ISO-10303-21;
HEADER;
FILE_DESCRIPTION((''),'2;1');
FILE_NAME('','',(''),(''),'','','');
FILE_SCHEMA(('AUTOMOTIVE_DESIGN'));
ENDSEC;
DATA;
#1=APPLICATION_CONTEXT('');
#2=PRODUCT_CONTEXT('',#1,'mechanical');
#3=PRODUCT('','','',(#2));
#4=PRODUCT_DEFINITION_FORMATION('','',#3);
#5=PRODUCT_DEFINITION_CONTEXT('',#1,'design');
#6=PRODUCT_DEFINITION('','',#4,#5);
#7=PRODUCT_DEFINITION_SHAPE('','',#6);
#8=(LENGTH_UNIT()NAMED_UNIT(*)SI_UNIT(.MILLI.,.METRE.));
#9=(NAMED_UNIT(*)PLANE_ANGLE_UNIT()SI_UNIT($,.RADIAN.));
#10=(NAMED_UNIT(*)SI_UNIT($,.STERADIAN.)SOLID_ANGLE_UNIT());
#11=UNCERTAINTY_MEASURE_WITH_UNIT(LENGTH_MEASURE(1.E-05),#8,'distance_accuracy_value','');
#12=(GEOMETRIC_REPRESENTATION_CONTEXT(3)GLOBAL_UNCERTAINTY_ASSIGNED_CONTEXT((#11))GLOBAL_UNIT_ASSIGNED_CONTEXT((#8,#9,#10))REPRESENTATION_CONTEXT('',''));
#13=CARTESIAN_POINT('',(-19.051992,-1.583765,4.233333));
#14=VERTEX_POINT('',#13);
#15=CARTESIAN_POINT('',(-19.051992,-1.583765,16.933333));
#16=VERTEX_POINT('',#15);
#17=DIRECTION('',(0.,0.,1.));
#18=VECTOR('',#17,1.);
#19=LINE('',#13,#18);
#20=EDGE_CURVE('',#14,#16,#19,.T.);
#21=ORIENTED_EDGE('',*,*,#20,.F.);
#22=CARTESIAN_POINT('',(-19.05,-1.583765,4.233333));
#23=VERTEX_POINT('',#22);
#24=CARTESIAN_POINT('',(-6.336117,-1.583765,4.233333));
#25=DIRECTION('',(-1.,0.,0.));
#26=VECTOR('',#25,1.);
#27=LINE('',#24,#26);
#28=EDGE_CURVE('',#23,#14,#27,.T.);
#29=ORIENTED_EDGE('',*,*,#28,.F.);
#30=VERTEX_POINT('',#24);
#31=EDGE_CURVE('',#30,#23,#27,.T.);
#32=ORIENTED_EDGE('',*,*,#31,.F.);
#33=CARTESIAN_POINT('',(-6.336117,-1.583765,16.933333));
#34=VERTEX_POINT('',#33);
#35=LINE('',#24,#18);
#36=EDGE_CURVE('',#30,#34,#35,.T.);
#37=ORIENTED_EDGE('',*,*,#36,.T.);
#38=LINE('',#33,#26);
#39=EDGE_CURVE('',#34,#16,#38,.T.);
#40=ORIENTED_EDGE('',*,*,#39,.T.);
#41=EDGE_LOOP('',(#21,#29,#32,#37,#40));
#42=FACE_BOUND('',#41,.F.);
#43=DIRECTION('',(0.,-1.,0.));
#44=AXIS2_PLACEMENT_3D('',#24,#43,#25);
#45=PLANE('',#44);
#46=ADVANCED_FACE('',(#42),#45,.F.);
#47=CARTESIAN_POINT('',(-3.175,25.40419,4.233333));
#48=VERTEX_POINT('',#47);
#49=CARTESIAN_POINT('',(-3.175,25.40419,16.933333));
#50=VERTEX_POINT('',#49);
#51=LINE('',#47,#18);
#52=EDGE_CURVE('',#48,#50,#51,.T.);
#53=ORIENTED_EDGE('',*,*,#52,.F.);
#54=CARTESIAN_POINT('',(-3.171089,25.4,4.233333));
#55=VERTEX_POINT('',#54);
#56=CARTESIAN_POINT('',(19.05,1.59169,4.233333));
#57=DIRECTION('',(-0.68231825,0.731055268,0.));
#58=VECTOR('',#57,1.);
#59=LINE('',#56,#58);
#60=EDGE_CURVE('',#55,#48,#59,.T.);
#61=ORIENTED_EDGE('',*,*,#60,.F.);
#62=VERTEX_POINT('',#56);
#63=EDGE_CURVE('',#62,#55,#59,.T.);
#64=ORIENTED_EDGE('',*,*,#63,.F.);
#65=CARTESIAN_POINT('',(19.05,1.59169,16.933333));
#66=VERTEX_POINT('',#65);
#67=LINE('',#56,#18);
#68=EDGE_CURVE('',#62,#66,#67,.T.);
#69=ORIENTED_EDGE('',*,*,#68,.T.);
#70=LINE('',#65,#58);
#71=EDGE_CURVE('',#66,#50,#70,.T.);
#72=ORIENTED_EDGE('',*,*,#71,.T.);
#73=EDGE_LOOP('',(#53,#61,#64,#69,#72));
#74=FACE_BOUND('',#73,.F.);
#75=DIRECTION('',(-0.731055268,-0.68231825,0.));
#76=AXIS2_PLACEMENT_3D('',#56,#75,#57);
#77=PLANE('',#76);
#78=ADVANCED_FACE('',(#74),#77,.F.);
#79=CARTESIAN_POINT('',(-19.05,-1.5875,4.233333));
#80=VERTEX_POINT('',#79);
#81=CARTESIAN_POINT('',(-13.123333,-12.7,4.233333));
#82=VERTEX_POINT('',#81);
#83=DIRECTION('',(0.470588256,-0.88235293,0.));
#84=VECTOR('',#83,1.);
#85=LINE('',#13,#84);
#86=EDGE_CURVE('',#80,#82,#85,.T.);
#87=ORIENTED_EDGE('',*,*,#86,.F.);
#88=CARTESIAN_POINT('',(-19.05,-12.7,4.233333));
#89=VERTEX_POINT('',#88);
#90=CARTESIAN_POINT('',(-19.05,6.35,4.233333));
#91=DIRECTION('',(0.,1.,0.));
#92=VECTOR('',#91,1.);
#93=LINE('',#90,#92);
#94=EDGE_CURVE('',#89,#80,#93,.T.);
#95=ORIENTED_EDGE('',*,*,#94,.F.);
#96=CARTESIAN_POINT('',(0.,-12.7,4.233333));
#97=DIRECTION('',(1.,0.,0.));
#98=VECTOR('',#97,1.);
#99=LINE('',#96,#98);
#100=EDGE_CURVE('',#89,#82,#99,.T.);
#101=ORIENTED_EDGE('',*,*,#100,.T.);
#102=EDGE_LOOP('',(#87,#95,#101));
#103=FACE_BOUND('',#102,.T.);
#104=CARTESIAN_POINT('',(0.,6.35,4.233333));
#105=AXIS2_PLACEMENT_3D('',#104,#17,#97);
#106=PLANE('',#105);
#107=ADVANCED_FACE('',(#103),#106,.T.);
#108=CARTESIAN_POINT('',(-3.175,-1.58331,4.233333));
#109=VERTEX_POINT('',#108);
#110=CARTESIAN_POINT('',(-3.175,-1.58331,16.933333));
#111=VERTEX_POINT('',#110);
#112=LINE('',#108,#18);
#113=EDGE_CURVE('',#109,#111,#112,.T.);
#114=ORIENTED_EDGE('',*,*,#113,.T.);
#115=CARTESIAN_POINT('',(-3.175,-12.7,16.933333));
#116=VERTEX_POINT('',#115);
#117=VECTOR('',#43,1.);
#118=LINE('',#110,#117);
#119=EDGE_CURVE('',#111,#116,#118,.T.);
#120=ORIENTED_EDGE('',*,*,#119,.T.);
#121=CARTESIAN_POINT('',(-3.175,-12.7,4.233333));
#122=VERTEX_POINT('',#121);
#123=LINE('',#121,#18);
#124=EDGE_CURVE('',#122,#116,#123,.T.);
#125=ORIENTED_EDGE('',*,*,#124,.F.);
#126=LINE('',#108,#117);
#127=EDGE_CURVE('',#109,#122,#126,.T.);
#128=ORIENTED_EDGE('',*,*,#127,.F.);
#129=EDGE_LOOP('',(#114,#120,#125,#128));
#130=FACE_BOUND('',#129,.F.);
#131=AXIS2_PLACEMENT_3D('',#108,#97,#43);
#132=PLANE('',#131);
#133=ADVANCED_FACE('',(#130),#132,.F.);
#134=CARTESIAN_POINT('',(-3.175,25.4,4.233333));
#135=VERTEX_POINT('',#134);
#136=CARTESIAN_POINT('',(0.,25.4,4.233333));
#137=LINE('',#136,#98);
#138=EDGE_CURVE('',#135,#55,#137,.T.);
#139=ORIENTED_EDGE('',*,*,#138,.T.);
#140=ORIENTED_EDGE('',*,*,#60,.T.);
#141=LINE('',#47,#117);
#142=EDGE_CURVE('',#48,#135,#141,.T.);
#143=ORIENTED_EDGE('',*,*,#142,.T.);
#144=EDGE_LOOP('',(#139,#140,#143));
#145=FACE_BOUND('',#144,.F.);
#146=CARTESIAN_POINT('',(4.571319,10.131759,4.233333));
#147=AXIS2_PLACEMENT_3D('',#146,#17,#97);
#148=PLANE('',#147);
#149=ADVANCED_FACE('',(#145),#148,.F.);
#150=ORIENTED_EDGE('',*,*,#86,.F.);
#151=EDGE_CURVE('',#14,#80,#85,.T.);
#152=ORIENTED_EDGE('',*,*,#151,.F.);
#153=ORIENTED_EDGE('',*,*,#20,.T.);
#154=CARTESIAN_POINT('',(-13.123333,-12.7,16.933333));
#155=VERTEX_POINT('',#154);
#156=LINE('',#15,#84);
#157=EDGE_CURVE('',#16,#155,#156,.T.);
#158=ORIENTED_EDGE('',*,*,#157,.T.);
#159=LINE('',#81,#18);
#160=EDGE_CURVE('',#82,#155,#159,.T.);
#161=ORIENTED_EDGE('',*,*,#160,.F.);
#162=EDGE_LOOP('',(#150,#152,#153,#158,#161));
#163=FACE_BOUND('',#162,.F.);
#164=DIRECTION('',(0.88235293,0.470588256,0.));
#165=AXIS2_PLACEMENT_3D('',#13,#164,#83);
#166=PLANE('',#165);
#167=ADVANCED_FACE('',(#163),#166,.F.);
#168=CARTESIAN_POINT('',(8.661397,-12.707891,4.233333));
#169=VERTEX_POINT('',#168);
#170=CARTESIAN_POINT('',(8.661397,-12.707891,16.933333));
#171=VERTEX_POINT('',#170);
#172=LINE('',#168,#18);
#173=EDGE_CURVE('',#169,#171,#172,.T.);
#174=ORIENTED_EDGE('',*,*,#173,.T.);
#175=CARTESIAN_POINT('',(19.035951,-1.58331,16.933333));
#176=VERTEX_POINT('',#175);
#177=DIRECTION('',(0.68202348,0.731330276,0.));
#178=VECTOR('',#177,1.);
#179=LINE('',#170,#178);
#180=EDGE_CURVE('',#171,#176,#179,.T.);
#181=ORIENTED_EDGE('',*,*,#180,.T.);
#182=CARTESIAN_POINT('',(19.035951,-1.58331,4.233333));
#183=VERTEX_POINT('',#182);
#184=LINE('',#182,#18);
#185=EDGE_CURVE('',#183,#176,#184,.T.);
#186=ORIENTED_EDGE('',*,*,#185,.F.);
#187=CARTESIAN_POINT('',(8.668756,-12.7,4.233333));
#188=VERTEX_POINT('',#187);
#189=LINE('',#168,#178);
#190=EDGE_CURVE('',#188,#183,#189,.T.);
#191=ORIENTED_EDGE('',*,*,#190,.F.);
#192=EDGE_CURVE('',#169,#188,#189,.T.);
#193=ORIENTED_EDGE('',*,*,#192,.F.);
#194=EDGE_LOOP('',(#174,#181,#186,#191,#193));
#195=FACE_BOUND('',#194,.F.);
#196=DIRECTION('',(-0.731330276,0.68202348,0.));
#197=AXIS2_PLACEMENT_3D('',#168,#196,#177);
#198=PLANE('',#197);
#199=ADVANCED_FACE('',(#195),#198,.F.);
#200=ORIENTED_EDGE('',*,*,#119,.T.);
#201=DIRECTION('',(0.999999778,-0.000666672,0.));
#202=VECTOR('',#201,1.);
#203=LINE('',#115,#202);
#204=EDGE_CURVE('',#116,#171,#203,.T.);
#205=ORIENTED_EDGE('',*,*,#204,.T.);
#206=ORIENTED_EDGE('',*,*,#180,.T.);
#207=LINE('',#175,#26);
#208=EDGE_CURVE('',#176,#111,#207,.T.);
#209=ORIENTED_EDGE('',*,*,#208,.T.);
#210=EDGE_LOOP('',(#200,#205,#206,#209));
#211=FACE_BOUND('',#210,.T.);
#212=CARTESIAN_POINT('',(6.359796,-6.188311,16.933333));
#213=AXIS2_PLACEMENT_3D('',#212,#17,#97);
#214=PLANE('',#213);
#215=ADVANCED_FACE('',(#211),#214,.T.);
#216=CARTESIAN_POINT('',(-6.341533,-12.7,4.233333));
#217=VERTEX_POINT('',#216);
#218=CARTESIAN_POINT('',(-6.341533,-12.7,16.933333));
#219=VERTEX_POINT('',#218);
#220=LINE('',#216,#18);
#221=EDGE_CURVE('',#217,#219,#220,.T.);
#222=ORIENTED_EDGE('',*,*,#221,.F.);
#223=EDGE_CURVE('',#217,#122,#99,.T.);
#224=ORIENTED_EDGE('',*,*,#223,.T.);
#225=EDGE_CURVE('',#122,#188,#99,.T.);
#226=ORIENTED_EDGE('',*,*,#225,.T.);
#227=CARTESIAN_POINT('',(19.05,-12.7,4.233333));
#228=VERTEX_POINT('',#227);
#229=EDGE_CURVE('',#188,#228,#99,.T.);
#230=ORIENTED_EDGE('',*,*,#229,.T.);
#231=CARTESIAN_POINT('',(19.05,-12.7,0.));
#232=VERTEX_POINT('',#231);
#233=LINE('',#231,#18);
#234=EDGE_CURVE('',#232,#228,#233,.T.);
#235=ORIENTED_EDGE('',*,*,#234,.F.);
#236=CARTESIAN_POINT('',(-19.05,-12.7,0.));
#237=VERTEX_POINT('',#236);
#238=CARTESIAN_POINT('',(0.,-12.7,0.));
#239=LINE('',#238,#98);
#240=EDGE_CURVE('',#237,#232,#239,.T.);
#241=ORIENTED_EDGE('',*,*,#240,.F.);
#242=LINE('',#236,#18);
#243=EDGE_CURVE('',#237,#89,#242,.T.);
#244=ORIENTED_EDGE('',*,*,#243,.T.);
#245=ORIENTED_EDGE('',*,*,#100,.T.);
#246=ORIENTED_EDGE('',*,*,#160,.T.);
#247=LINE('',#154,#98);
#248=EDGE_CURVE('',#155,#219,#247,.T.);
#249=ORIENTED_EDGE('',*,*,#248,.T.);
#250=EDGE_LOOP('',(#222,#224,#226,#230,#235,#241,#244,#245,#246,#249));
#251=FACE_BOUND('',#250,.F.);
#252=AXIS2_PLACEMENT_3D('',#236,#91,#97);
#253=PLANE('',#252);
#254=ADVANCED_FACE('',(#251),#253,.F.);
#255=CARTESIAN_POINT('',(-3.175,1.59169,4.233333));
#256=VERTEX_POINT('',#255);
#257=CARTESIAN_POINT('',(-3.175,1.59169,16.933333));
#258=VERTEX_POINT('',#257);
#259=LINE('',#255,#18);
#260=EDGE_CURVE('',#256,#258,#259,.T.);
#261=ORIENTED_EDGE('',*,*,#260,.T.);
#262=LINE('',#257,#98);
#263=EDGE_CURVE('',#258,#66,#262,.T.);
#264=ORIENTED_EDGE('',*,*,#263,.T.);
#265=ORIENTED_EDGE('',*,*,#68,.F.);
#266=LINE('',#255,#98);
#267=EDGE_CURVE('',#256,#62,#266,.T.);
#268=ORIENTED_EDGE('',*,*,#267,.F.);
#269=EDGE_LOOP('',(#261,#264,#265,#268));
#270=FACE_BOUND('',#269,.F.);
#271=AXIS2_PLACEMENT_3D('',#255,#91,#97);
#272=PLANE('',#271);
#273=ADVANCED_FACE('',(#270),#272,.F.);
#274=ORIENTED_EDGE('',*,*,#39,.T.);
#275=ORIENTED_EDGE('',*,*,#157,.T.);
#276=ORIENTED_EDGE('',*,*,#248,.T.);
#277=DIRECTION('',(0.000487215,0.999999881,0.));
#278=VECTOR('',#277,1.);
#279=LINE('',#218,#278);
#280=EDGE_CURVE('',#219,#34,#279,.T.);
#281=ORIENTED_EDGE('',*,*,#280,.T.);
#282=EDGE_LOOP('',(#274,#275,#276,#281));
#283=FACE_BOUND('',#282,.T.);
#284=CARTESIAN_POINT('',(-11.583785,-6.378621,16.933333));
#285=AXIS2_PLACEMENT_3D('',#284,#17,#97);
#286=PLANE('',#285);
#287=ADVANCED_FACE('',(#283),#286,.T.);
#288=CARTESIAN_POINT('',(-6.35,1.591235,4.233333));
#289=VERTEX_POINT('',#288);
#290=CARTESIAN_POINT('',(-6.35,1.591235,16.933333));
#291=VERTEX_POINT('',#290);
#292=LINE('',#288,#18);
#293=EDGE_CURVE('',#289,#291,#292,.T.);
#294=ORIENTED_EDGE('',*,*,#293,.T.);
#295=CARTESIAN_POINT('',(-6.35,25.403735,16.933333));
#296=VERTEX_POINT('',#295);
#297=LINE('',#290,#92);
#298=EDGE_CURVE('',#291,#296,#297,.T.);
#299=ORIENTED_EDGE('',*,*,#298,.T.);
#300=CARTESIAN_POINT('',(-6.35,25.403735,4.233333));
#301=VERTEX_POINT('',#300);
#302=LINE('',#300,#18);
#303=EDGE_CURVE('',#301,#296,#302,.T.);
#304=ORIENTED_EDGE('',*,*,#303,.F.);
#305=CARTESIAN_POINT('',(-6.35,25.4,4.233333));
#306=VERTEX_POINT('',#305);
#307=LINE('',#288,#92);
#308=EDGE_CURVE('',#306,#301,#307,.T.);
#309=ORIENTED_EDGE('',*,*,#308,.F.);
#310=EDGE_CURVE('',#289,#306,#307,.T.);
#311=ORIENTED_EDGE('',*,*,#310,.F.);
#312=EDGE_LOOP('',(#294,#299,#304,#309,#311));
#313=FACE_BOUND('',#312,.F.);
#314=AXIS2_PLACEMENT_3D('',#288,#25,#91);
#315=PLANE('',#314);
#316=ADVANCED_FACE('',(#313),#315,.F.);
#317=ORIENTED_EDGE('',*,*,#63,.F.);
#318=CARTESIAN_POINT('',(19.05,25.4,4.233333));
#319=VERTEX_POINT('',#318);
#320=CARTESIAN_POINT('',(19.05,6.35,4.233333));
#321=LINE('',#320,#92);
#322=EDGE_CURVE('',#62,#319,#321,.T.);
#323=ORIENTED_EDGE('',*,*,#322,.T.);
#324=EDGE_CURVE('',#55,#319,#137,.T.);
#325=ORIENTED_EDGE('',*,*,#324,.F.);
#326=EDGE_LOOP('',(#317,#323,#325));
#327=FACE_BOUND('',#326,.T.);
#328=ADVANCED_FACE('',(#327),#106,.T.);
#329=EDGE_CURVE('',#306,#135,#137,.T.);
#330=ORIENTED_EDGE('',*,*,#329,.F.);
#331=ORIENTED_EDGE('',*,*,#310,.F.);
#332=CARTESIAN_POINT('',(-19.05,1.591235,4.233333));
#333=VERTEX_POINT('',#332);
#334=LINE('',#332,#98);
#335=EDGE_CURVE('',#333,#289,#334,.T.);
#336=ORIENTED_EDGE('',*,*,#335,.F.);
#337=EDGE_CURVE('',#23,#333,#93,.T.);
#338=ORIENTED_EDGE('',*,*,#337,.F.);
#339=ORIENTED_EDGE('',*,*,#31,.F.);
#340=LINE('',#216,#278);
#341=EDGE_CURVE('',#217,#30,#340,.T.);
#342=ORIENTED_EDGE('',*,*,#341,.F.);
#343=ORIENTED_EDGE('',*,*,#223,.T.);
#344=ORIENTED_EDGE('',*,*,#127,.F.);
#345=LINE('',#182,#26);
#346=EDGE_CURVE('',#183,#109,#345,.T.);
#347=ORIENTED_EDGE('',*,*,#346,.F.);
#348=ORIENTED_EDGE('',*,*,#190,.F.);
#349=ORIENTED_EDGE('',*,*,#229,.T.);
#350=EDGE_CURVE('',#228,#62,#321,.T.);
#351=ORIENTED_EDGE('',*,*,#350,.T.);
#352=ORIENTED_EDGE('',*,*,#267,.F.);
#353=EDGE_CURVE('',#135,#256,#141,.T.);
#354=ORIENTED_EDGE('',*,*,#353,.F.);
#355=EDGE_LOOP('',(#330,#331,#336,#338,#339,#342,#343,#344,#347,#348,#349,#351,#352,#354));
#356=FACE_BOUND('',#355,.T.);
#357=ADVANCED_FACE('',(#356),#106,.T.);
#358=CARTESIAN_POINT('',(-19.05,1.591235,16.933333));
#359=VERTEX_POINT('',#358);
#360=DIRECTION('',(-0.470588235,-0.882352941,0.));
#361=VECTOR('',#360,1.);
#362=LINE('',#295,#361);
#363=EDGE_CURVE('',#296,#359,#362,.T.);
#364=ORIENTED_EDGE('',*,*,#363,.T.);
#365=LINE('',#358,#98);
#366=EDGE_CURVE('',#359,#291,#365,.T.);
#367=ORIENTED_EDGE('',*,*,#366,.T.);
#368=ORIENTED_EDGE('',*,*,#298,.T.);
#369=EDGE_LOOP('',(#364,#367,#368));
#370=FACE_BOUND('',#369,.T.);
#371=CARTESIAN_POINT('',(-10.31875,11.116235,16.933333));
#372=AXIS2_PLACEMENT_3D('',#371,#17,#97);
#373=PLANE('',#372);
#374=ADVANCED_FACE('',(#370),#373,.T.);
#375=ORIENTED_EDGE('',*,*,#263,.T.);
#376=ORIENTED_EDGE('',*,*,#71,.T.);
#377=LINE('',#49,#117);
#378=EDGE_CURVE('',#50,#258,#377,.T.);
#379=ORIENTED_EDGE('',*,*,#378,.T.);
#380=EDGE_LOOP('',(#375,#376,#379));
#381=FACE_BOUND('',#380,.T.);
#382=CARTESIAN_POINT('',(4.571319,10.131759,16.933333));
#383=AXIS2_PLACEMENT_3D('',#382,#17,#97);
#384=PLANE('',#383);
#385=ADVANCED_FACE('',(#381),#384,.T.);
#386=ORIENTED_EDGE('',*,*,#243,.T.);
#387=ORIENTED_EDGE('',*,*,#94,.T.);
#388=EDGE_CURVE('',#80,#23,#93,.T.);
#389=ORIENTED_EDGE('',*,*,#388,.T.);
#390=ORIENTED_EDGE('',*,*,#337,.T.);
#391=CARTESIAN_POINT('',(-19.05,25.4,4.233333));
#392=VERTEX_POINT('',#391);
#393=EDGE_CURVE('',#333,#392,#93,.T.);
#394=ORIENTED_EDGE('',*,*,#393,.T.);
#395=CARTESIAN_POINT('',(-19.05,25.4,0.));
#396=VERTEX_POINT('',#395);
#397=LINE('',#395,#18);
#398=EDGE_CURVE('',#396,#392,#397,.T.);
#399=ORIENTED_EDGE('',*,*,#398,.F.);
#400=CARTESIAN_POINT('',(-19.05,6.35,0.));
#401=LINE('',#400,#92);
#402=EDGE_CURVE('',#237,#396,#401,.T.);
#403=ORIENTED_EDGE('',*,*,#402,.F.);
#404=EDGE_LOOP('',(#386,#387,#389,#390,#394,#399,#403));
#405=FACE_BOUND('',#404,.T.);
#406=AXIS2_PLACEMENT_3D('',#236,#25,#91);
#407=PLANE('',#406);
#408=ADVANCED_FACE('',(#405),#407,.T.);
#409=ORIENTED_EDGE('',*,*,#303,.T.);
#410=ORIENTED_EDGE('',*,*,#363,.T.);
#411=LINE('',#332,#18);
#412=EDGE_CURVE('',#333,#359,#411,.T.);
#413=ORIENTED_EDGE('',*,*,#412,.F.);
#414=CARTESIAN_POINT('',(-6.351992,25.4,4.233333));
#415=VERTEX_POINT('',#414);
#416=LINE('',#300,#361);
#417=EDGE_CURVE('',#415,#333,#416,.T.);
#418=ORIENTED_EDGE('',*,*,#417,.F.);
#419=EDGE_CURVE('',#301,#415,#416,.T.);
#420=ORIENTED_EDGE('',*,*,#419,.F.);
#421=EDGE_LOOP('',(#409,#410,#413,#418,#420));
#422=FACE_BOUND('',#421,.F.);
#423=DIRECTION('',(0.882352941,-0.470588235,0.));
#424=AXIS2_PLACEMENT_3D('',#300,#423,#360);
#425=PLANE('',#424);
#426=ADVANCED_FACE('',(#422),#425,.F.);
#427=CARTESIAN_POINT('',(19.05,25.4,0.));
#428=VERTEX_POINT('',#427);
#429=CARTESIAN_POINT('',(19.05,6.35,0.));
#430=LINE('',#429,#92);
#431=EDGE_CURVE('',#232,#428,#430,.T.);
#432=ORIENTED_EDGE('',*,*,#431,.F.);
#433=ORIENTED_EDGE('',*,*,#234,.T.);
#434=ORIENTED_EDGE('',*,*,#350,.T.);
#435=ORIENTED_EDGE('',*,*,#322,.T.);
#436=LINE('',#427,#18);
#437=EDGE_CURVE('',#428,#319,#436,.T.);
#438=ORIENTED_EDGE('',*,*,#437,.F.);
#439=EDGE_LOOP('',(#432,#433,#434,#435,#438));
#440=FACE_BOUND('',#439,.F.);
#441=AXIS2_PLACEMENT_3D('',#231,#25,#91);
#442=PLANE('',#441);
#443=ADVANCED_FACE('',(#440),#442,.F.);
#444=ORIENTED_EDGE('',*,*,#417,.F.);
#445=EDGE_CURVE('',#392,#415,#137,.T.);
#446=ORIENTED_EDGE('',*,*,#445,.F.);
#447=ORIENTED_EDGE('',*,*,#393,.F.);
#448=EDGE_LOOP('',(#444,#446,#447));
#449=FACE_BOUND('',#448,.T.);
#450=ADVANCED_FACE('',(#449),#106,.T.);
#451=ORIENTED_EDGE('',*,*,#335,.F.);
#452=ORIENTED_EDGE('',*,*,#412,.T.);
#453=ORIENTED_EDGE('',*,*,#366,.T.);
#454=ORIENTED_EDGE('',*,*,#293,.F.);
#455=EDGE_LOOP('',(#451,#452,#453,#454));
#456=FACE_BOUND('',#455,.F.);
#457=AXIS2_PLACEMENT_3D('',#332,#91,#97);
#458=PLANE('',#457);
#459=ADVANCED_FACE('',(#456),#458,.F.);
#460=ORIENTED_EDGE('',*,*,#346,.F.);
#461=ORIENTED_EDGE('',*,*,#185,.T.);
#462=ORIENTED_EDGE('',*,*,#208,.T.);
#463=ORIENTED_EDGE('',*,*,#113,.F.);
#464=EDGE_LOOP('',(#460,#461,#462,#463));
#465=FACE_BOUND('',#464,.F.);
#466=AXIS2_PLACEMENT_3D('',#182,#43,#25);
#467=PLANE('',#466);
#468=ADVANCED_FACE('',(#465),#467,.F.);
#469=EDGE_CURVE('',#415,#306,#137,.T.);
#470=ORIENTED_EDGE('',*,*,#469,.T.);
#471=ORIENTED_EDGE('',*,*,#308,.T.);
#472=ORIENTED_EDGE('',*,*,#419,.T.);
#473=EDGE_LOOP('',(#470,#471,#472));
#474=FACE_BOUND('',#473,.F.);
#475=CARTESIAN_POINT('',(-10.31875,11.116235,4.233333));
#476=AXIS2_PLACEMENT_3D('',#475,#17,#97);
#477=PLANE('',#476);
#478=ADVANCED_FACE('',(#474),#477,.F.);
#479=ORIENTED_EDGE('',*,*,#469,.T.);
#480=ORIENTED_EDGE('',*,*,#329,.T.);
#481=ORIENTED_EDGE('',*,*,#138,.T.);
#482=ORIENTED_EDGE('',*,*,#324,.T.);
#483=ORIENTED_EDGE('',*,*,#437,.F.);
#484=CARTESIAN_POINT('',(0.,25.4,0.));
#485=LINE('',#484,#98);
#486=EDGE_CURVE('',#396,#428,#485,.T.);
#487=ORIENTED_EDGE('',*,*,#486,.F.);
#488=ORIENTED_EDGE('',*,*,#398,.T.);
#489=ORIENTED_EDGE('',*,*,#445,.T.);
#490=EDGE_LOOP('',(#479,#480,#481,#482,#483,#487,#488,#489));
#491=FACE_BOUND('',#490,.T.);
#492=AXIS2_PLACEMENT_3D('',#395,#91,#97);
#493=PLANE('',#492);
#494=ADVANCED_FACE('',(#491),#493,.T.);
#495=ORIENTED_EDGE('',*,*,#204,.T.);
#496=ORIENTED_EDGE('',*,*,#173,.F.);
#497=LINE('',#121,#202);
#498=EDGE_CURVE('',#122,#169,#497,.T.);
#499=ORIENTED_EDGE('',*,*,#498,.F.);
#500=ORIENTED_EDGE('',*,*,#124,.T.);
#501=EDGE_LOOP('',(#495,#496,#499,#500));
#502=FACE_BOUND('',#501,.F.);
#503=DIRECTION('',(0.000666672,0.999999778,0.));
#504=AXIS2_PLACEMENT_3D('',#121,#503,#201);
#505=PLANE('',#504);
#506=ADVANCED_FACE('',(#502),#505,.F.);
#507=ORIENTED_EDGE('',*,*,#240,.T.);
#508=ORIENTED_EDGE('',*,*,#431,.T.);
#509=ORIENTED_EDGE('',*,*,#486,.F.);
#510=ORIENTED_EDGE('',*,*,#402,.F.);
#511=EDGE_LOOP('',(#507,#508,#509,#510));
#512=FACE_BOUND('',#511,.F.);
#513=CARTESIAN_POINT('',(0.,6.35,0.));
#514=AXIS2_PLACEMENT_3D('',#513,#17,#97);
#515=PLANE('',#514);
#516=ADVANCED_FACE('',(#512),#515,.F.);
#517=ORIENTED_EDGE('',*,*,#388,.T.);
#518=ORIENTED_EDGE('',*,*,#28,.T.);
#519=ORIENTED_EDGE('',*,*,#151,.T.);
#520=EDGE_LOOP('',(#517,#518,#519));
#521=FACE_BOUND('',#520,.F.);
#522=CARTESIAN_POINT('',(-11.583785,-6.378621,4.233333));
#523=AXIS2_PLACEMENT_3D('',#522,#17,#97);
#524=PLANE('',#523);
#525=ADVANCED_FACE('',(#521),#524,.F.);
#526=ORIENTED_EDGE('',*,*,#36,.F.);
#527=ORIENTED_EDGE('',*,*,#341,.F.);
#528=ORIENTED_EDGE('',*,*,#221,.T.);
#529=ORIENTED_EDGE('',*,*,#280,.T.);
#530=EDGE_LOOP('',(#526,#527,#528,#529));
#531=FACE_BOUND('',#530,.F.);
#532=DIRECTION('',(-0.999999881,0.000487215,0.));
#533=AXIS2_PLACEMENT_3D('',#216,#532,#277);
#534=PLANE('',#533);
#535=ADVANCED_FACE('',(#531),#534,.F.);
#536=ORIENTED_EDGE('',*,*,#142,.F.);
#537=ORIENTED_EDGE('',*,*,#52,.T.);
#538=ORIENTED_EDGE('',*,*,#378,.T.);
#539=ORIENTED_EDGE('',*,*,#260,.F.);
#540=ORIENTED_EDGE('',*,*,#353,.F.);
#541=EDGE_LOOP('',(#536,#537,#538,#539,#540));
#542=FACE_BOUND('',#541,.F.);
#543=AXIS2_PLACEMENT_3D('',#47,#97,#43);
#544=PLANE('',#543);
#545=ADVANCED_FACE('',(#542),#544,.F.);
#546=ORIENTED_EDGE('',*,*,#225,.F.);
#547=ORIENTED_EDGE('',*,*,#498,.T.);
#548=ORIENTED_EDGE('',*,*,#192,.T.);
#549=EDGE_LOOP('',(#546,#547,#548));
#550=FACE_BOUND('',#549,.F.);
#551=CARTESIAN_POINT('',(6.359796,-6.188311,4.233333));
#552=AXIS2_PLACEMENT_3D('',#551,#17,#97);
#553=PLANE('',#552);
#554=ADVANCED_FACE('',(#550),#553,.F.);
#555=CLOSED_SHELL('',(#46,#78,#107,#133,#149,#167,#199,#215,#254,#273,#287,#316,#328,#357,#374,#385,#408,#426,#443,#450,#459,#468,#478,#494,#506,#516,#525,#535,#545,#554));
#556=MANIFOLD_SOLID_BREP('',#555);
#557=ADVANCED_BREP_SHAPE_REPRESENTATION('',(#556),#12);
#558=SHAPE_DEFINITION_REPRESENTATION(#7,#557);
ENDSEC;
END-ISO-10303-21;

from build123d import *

# Parameters (mm, degrees)
F0_W     = 38.1
F0_H     = 38.1
F1_DEPTH = 4.233333
F3_DEPTH = 12.7


with BuildPart() as f1:
    # F0 (on Top) → F1 (new body)
    with BuildSketch(Plane.XY):
        with Locations((0, 6.35)):
            Rectangle(F0_W, F0_H)
    extrude(amount=F1_DEPTH)

    # F2 (on face) → F3 (join)
    with BuildSketch(Plane.XY.offset(4.233333)):
        Polygon((-19.05, 1.591235), (-6.35, 1.591235), (-6.35, 25.403735), align=None)
        Polygon((-6.336117, -1.583765), (-19.051992, -1.583765), (-13.123333, -12.7), (-6.341533, -12.7), align=None)
        Polygon((19.05, 1.59169), (-3.175, 25.40419), (-3.175, 1.59169), align=None)
        Polygon((19.035951, -1.58331), (-3.175, -1.58331), (-3.175, -12.7), (8.661397, -12.707891), align=None)
    extrude(amount=F3_DEPTH)


solid = f1.part
